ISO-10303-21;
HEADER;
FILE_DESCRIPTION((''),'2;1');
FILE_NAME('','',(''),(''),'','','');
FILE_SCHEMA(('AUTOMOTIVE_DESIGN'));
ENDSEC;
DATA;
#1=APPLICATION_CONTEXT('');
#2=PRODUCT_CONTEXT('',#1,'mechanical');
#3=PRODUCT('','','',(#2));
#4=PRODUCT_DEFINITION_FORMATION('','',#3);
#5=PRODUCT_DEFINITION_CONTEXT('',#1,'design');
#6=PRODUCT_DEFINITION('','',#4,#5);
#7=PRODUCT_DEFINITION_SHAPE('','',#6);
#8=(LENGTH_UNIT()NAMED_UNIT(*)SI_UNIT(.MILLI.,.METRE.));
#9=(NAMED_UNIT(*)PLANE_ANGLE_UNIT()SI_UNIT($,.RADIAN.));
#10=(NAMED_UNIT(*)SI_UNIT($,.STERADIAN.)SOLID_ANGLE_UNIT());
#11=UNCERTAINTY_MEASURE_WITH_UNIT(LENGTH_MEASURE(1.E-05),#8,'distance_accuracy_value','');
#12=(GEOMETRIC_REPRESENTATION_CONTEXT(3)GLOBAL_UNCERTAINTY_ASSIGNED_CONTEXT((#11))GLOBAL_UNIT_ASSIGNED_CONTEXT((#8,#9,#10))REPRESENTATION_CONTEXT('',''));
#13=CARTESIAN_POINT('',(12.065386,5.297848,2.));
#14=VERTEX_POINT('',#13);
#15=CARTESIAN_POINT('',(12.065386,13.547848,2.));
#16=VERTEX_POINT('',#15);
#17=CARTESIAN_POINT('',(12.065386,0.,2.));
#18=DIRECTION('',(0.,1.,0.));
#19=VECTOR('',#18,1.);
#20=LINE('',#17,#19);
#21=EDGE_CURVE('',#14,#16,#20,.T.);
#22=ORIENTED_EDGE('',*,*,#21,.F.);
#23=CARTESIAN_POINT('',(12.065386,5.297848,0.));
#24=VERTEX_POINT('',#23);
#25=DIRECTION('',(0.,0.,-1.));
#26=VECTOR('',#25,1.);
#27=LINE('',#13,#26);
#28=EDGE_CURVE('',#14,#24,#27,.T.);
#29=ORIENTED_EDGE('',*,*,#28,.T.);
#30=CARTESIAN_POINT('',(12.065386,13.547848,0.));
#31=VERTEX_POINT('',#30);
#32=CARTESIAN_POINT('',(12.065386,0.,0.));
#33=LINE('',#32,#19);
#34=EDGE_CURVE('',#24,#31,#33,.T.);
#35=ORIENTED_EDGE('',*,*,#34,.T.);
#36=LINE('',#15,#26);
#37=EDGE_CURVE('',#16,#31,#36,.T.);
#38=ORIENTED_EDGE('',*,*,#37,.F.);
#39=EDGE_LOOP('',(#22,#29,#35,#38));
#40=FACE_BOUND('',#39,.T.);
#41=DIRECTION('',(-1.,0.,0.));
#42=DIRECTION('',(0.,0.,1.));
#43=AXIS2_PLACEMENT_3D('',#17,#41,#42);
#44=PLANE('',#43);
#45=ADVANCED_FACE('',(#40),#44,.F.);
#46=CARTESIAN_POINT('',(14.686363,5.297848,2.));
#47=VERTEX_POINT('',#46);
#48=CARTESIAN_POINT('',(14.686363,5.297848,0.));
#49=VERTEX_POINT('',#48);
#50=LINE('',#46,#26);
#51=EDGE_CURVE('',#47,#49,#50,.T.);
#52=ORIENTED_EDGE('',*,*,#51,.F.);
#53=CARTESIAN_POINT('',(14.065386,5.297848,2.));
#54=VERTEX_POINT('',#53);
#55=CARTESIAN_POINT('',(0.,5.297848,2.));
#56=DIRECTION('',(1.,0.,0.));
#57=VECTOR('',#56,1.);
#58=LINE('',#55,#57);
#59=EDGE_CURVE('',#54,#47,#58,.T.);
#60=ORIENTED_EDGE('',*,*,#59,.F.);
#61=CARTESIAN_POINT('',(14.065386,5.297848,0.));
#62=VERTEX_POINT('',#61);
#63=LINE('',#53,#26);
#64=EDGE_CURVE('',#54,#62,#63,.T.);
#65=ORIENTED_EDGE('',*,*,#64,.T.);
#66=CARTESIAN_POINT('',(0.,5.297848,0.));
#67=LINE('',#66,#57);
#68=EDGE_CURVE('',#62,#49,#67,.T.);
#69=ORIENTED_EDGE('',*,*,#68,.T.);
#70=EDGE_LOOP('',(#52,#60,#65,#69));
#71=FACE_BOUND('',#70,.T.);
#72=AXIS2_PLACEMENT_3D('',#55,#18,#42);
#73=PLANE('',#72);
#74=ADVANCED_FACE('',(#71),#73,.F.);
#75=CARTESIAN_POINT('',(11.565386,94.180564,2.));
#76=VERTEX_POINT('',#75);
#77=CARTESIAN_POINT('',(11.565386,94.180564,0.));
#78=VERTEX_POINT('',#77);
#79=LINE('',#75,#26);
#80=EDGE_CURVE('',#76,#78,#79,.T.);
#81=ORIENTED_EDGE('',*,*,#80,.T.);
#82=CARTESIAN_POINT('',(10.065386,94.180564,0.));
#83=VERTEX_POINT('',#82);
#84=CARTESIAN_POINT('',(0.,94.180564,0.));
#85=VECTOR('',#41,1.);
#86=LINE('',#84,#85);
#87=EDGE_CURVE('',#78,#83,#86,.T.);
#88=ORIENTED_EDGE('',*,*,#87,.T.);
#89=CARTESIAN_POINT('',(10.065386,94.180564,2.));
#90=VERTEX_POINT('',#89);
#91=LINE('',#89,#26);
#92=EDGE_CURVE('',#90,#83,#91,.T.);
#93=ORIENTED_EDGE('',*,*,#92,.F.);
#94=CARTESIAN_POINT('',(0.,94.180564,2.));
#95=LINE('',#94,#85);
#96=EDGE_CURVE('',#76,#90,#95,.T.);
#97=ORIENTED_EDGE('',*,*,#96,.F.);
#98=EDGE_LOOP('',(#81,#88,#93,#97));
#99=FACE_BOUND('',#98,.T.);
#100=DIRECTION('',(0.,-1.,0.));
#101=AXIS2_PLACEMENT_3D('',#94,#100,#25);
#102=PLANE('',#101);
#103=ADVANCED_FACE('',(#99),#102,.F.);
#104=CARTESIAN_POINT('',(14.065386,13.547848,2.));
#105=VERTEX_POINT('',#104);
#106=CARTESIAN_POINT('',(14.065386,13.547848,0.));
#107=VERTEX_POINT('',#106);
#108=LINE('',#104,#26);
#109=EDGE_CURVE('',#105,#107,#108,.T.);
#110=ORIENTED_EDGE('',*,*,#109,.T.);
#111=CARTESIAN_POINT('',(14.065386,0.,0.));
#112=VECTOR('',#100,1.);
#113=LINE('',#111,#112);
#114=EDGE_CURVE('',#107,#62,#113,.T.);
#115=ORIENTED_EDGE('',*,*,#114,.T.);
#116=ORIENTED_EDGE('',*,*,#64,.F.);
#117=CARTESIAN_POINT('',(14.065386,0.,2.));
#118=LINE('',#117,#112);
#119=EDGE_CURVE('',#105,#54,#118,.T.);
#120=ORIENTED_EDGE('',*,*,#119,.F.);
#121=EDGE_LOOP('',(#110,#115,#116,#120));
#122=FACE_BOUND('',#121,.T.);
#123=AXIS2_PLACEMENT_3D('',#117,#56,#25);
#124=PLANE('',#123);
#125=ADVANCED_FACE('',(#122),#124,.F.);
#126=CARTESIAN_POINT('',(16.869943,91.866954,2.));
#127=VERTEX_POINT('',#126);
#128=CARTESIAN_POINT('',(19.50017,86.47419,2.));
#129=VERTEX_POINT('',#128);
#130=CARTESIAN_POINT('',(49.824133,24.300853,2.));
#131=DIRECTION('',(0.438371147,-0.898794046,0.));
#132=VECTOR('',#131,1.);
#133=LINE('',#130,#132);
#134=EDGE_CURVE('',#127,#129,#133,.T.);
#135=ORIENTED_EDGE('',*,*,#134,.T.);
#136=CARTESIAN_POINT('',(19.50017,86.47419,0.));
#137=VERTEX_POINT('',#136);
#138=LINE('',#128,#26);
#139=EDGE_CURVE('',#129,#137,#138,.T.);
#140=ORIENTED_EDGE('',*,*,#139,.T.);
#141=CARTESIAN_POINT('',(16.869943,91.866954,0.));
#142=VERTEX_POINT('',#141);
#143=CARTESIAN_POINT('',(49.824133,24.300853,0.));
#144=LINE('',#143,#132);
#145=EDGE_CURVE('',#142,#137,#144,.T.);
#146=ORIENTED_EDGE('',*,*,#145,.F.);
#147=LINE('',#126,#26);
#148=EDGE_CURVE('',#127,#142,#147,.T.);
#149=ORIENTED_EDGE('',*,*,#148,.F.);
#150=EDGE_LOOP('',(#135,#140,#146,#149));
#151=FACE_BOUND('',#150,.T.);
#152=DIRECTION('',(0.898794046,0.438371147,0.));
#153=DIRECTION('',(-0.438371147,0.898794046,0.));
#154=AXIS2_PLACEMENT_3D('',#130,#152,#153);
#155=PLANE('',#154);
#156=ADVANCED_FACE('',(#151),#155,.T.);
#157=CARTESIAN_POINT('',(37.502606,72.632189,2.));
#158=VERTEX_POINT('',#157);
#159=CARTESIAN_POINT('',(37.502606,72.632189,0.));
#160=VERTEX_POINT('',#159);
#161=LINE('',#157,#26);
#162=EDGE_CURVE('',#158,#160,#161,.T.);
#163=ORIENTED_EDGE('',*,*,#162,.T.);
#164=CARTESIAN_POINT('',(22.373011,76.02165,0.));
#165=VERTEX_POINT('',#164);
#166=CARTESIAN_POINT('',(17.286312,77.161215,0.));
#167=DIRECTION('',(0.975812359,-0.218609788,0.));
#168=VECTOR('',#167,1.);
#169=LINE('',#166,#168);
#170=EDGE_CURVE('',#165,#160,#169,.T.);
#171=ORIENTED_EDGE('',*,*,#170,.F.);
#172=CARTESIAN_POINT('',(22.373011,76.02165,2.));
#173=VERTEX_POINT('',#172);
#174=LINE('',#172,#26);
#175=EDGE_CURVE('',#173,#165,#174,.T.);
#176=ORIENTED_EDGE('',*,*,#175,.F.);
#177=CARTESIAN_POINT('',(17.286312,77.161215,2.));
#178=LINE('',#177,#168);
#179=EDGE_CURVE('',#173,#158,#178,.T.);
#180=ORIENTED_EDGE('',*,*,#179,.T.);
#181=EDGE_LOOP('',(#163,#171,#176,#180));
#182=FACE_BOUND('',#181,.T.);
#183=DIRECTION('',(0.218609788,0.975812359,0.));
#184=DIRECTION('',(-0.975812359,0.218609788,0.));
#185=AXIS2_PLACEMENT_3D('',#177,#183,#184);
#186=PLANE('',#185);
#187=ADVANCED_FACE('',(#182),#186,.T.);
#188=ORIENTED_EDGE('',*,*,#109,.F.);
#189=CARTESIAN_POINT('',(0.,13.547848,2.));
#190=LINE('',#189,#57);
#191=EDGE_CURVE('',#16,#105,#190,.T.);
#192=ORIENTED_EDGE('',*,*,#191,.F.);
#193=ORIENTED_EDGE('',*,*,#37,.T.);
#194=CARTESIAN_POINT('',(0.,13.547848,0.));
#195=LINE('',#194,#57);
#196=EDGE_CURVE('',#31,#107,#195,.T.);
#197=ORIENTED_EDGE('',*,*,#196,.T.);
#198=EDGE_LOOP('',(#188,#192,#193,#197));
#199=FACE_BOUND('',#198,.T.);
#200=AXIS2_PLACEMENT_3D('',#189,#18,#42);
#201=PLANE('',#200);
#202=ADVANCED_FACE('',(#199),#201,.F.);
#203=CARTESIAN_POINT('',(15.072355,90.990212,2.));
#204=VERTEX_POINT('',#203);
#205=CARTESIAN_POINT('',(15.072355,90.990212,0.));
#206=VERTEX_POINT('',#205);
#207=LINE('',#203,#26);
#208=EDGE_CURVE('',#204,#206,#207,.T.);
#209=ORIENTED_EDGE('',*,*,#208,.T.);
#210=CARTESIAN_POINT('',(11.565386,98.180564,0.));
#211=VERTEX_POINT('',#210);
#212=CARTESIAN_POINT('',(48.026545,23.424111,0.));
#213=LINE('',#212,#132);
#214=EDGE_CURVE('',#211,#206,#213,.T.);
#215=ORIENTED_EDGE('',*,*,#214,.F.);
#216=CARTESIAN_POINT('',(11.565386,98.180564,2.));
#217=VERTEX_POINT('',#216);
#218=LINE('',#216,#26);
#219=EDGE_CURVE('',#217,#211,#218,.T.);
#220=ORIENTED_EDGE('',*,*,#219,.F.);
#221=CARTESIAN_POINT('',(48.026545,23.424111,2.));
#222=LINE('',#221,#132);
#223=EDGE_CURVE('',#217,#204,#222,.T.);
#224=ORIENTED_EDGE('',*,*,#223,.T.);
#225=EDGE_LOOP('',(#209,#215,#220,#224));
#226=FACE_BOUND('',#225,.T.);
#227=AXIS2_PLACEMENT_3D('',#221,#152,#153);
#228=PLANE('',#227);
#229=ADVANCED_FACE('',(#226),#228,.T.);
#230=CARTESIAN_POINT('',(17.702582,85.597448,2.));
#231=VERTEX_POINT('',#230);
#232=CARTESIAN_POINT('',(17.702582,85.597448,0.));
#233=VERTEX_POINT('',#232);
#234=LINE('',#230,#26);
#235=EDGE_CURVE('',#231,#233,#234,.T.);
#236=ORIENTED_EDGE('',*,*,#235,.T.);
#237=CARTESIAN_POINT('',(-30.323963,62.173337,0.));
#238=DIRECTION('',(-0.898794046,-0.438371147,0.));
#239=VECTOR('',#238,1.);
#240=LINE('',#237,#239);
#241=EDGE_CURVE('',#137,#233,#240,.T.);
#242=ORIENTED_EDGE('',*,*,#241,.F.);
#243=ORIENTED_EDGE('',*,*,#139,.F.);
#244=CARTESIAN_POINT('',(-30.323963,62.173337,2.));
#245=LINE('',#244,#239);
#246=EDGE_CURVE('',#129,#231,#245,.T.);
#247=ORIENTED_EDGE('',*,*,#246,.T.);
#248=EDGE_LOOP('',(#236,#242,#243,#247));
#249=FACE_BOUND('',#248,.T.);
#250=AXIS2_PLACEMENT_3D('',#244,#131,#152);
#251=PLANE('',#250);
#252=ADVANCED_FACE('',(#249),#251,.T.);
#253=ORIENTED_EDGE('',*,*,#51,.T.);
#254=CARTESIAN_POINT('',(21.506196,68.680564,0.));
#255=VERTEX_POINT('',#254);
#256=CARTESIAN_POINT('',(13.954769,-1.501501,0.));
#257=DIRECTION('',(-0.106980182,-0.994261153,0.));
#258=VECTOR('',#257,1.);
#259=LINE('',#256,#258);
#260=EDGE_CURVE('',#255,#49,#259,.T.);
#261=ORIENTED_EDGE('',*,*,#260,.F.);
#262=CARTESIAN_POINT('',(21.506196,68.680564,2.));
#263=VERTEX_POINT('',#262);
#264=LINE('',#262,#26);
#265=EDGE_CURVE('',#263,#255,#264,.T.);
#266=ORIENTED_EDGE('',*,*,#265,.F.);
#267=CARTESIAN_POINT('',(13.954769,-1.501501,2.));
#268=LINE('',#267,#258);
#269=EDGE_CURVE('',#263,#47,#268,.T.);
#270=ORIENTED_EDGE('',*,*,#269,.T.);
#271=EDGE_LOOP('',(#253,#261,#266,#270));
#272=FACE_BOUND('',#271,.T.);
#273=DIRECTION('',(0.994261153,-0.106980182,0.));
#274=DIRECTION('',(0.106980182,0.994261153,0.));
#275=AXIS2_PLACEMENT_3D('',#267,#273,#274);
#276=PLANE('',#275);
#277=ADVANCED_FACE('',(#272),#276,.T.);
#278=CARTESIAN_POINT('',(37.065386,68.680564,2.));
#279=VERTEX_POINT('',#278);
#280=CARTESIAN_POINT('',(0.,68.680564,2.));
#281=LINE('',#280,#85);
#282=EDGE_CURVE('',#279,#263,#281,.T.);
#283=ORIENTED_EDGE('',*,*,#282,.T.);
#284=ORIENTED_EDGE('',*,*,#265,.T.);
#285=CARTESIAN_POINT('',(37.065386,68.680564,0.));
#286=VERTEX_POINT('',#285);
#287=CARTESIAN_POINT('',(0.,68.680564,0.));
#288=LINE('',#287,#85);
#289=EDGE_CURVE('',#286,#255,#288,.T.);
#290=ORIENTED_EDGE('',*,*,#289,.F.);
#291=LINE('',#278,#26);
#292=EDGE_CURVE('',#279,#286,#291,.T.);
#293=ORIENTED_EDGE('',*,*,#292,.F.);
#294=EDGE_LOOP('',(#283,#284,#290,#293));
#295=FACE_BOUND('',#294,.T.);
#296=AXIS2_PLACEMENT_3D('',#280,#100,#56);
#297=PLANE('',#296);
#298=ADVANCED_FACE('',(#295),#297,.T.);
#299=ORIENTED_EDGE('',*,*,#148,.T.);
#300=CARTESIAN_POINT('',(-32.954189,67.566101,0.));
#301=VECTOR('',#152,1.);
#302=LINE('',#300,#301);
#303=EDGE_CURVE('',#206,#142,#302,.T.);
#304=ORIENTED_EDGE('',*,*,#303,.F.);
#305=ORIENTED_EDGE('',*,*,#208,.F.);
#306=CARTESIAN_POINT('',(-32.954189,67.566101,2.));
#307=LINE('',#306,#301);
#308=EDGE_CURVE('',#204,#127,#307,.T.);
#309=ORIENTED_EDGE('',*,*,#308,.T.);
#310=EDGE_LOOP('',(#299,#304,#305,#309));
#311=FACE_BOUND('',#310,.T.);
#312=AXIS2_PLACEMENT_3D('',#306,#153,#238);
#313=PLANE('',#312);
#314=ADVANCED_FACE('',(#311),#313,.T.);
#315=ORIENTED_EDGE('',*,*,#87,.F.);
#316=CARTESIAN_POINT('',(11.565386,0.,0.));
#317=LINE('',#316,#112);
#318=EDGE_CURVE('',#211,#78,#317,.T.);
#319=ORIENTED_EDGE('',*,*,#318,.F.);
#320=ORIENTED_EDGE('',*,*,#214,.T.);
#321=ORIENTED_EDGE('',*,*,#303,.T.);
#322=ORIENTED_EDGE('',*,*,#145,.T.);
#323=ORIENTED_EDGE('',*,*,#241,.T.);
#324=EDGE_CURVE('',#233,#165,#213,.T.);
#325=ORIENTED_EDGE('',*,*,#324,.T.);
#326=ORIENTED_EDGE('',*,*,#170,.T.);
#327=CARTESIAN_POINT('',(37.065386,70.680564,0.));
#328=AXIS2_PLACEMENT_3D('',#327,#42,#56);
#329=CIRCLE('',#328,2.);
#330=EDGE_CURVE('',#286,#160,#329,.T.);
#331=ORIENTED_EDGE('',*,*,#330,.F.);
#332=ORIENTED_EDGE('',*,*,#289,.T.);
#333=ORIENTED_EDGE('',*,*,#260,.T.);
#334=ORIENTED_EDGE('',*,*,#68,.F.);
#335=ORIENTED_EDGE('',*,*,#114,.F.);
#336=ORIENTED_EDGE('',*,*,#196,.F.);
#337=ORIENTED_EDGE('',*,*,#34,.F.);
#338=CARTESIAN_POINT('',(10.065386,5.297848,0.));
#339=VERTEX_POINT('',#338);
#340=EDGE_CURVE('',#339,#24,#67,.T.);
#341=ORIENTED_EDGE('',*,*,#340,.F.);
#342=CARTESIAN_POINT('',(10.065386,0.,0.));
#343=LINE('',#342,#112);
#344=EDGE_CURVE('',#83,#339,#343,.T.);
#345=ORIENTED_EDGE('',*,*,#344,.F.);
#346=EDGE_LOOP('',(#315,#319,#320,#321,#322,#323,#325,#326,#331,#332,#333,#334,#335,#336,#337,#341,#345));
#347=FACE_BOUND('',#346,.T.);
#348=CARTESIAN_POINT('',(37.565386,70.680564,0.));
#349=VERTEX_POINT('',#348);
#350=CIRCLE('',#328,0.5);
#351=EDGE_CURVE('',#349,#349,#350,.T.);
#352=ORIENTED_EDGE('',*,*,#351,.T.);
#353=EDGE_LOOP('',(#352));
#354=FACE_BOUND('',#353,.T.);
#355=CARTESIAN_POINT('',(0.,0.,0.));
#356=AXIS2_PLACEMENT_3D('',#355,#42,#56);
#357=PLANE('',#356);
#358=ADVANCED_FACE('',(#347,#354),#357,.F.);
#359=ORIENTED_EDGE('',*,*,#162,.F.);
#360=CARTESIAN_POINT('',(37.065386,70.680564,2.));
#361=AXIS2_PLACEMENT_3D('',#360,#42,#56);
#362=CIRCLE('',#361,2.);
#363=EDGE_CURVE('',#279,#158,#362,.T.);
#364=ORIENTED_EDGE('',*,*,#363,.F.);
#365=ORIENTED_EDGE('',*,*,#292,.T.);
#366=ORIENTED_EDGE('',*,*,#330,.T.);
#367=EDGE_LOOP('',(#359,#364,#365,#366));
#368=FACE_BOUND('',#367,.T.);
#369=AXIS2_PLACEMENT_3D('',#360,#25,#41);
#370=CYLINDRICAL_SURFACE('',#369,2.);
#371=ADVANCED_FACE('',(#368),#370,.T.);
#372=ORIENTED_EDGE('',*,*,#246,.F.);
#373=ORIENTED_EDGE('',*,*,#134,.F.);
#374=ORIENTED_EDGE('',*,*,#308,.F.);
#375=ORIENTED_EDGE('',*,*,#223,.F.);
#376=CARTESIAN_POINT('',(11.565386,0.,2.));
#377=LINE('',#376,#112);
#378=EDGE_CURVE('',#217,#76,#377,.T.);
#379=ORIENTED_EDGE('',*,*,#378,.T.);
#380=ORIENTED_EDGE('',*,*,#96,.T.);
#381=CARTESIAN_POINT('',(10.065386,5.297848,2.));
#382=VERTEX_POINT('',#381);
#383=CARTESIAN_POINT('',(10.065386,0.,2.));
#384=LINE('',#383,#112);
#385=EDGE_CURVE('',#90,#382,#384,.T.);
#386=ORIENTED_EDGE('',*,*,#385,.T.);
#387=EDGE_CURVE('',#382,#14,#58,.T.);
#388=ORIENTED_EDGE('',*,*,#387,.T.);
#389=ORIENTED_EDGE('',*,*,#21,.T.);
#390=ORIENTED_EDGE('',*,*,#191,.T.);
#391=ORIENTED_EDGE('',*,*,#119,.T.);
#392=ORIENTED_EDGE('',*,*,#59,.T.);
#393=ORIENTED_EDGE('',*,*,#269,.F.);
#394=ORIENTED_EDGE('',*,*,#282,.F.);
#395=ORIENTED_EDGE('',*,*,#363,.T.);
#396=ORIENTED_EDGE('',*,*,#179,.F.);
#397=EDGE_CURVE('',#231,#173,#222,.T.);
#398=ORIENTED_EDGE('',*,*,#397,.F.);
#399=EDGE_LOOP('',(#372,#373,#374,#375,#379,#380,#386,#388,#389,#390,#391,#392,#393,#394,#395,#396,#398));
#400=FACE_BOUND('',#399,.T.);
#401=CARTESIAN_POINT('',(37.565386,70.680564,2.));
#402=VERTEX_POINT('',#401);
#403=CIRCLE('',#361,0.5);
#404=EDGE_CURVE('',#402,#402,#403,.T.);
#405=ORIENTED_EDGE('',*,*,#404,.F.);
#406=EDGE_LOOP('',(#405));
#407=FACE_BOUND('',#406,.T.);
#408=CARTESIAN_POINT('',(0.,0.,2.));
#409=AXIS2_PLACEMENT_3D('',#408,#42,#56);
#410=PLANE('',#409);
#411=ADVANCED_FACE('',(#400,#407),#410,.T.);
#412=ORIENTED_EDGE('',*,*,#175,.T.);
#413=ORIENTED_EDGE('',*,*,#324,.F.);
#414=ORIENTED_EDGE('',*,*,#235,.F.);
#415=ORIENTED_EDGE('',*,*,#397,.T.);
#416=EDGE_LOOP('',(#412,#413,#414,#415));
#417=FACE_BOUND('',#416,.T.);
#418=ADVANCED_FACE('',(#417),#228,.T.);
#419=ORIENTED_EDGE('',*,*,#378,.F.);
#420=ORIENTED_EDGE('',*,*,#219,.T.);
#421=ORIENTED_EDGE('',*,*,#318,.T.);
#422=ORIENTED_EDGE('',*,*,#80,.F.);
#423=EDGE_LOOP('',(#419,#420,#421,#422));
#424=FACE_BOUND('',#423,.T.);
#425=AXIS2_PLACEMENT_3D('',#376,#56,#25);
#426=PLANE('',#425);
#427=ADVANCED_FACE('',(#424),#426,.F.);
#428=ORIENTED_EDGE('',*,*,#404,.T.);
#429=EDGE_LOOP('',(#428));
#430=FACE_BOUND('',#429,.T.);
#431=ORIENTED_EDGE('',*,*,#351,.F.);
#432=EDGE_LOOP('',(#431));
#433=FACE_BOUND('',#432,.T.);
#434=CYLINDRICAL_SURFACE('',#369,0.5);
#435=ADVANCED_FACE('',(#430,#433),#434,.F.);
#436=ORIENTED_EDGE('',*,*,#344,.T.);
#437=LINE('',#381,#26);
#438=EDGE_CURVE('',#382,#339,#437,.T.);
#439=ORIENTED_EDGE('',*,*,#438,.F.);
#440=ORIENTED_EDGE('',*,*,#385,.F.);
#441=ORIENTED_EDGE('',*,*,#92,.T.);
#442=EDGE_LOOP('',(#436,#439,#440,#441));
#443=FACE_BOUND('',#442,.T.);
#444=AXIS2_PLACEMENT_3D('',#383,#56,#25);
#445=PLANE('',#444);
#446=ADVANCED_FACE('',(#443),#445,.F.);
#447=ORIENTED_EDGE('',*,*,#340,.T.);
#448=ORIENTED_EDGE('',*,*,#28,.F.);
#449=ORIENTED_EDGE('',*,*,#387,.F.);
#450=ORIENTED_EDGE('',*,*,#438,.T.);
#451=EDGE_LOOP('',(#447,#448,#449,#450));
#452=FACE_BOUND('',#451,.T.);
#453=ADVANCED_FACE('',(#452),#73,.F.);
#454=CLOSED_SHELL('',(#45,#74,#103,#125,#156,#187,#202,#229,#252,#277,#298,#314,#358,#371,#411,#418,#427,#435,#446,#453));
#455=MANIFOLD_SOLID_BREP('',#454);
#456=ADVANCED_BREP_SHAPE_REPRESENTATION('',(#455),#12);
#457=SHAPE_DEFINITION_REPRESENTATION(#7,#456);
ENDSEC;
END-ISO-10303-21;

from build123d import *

# Parameters (mm, degrees)
SKETCH_1_R      = 0.5
EXTRUDE_1_DEPTH = 2


with BuildPart() as part:
    # 草图1 → 凸台-拉伸1 (new body)
    with BuildSketch(Plane.XY):
        with BuildLine():
            Line((15.072355278, 90.9902121), (11.565386103, 98.180564471))
            Line((11.565386103, 98.180564471), (11.565386103, 94.180564471))
            Line((11.565386103, 94.180564471), (10.065386103, 94.180564471))
            Line((10.065386103, 94.180564471), (10.065386103, 5.297847711))
            Line((10.065386103, 5.297847711), (12.065386103, 5.297847711))
            Line((12.065386103, 5.297847711), (12.065386103, 13.547847711))
            Line((12.065386103, 13.547847711), (14.065386103, 13.547847711))
            Line((14.065386103, 13.547847711), (14.065386103, 5.297847711))
            Line((14.065386103, 5.297847711), (14.686363295, 5.297847711))
            Line((14.686363295, 5.297847711), (21.506195844, 68.680564471))
            Line((21.506195844, 68.680564471), (37.065386103, 68.680564471))
            ThreePointArc((37.065386103, 68.680564471), (39.053255495, 70.460620657), (37.502605679, 72.632189189))
            Line((37.502605679, 72.632189189), (22.373010944, 76.021649743))
            Line((22.373010944, 76.021649743), (21.07399479, 78.685027553))
            Line((21.07399479, 78.685027553), (17.702582158, 85.597447823))
            Line((17.702582158, 85.597447823), (19.500170251, 86.474190116))
            Line((19.500170251, 86.474190116), (16.86994337, 91.866954394))
            Line((16.86994337, 91.866954394), (15.072355278, 90.9902121))
        make_face()
        with Locations((37.065386103, 70.680564471)):
            Circle(SKETCH_1_R, mode=Mode.SUBTRACT)
    extrude(amount=EXTRUDE_1_DEPTH)


solid = part.part
